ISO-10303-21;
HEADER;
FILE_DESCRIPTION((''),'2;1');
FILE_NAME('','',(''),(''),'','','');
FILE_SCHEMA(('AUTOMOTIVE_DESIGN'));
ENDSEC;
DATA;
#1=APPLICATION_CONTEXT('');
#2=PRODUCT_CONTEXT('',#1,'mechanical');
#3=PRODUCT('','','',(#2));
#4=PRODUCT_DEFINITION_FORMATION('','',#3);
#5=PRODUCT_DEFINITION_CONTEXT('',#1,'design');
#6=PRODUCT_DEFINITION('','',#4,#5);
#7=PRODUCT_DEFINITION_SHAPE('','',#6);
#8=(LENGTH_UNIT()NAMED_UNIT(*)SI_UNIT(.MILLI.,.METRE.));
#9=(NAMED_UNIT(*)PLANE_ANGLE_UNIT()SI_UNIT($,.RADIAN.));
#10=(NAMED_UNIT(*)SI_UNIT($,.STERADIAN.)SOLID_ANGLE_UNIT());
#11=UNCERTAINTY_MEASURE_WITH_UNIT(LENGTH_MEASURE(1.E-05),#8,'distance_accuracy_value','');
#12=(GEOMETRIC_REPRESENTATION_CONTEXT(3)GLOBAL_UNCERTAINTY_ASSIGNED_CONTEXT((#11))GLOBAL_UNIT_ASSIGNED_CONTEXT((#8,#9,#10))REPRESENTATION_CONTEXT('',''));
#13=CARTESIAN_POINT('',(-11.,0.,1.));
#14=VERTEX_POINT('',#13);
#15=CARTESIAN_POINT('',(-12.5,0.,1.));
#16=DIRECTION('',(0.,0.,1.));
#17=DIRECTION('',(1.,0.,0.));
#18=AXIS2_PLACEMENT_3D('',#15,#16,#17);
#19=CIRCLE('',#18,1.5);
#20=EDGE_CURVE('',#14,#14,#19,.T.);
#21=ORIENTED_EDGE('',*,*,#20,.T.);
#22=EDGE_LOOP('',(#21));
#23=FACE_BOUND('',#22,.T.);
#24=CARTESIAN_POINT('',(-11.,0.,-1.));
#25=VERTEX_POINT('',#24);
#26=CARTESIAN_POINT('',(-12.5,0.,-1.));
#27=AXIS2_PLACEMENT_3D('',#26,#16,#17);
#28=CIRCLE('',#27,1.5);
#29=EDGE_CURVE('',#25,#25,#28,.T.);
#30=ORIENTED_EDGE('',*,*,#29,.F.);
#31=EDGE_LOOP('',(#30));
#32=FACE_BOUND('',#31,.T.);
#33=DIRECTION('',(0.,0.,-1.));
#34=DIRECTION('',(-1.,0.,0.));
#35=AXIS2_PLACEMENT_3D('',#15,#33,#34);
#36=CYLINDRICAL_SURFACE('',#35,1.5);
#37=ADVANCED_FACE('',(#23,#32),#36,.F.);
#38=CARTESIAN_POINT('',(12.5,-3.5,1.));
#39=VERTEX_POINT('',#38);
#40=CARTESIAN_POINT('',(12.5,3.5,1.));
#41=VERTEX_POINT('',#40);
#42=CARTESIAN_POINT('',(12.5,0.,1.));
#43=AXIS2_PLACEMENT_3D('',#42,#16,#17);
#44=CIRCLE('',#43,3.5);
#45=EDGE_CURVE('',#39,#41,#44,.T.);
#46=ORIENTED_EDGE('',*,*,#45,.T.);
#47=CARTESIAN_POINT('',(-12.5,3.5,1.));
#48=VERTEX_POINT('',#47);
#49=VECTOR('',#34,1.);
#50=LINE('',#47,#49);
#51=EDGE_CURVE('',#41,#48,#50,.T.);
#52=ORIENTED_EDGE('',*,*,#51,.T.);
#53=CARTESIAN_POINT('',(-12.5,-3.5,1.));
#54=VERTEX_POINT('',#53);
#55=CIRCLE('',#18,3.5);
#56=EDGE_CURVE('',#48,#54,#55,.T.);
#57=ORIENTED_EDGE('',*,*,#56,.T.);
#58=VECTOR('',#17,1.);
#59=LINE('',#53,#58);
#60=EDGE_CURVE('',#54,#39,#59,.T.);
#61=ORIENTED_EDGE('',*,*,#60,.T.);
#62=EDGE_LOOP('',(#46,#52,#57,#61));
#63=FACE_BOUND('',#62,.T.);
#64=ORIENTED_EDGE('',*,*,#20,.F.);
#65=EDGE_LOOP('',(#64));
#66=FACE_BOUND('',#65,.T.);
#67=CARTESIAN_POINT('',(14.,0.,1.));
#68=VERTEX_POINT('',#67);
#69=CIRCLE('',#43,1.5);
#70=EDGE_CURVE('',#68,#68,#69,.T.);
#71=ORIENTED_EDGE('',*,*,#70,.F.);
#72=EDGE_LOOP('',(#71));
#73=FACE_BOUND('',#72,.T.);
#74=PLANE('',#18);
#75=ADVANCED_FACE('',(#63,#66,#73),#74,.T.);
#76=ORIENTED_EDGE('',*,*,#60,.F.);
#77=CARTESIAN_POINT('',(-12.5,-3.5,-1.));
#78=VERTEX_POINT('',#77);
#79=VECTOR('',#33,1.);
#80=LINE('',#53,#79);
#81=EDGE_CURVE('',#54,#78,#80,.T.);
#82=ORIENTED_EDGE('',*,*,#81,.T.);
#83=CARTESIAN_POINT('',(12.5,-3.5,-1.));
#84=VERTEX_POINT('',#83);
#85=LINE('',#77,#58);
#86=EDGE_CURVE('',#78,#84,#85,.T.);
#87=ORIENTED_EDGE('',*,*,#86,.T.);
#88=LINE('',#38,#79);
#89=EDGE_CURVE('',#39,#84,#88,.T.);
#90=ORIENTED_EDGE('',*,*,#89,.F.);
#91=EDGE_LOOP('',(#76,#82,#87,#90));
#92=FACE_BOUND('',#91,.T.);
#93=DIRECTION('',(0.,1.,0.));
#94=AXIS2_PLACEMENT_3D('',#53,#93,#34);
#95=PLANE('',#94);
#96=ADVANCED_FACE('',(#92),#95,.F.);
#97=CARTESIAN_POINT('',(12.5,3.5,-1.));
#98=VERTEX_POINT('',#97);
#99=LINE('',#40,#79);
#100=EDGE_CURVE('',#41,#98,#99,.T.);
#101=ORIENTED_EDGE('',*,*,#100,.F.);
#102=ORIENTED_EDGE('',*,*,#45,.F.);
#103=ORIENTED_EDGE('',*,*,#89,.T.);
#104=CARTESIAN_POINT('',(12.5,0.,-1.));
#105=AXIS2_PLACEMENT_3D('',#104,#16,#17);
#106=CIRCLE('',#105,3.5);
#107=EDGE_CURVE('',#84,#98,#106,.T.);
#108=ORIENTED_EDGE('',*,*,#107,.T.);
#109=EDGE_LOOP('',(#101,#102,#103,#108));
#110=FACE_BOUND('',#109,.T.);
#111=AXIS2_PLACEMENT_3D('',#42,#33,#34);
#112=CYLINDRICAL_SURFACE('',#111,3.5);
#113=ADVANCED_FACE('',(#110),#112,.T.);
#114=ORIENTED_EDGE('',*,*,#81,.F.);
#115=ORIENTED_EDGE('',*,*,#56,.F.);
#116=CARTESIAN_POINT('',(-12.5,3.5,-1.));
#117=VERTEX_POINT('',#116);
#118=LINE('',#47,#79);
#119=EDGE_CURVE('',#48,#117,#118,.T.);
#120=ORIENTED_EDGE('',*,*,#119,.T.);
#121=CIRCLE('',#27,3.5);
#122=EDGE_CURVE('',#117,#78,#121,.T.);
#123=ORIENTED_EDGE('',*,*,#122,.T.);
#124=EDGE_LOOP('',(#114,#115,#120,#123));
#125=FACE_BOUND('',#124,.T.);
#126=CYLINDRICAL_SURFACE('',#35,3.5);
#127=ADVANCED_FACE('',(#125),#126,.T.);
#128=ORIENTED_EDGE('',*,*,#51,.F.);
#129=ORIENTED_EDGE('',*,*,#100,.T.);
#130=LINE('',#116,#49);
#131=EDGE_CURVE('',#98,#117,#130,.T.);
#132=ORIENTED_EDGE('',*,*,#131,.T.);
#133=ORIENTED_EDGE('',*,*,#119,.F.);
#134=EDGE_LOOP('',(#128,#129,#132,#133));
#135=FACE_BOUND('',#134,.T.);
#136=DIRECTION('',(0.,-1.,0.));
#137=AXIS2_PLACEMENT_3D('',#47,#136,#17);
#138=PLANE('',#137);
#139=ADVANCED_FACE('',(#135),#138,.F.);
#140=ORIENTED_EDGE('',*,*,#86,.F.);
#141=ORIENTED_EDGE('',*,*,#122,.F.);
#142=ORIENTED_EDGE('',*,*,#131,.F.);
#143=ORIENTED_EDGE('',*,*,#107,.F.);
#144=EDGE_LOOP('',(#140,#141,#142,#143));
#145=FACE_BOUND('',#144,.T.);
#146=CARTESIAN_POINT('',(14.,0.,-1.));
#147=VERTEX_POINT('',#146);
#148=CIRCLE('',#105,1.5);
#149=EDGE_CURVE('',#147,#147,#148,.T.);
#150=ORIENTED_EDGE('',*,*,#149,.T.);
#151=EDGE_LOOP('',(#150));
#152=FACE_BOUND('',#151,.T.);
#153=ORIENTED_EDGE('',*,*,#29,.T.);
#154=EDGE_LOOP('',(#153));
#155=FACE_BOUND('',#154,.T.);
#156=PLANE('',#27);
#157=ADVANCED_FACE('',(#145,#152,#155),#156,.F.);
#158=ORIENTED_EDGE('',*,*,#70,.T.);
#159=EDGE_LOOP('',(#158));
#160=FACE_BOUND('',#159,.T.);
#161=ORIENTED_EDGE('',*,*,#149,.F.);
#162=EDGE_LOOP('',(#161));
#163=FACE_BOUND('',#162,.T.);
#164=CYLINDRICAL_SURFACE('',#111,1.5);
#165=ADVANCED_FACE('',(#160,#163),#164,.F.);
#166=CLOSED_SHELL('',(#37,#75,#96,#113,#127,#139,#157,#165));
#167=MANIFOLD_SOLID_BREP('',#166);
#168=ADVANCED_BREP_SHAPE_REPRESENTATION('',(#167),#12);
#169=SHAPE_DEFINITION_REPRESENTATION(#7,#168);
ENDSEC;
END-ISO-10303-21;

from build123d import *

# Parameters (mm, degrees)
SKETCH_1_R      = 1.5
EXTRUDE_1_DEPTH = 1


with BuildPart() as part:
    # 草图1 → 凸台-拉伸1 (new, symmetric)
    with BuildSketch(Plane.XY):
        with BuildLine():
            Line((-12.5, 3.5), (12.5, 3.5))
            ThreePointArc((12.5, 3.5), (16, 0), (12.5, -3.5))
            Line((12.5, -3.5), (-12.5, -3.5))
            ThreePointArc((-12.5, -3.5), (-16, 0), (-12.5, 3.5))
        make_face()
        with Locations((12.5, 0)):
            Circle(SKETCH_1_R, mode=Mode.SUBTRACT)
        with Locations((-12.5, 0)):
            Circle(SKETCH_1_R, mode=Mode.SUBTRACT)
    extrude(amount=EXTRUDE_1_DEPTH, both=True)


solid = part.part
